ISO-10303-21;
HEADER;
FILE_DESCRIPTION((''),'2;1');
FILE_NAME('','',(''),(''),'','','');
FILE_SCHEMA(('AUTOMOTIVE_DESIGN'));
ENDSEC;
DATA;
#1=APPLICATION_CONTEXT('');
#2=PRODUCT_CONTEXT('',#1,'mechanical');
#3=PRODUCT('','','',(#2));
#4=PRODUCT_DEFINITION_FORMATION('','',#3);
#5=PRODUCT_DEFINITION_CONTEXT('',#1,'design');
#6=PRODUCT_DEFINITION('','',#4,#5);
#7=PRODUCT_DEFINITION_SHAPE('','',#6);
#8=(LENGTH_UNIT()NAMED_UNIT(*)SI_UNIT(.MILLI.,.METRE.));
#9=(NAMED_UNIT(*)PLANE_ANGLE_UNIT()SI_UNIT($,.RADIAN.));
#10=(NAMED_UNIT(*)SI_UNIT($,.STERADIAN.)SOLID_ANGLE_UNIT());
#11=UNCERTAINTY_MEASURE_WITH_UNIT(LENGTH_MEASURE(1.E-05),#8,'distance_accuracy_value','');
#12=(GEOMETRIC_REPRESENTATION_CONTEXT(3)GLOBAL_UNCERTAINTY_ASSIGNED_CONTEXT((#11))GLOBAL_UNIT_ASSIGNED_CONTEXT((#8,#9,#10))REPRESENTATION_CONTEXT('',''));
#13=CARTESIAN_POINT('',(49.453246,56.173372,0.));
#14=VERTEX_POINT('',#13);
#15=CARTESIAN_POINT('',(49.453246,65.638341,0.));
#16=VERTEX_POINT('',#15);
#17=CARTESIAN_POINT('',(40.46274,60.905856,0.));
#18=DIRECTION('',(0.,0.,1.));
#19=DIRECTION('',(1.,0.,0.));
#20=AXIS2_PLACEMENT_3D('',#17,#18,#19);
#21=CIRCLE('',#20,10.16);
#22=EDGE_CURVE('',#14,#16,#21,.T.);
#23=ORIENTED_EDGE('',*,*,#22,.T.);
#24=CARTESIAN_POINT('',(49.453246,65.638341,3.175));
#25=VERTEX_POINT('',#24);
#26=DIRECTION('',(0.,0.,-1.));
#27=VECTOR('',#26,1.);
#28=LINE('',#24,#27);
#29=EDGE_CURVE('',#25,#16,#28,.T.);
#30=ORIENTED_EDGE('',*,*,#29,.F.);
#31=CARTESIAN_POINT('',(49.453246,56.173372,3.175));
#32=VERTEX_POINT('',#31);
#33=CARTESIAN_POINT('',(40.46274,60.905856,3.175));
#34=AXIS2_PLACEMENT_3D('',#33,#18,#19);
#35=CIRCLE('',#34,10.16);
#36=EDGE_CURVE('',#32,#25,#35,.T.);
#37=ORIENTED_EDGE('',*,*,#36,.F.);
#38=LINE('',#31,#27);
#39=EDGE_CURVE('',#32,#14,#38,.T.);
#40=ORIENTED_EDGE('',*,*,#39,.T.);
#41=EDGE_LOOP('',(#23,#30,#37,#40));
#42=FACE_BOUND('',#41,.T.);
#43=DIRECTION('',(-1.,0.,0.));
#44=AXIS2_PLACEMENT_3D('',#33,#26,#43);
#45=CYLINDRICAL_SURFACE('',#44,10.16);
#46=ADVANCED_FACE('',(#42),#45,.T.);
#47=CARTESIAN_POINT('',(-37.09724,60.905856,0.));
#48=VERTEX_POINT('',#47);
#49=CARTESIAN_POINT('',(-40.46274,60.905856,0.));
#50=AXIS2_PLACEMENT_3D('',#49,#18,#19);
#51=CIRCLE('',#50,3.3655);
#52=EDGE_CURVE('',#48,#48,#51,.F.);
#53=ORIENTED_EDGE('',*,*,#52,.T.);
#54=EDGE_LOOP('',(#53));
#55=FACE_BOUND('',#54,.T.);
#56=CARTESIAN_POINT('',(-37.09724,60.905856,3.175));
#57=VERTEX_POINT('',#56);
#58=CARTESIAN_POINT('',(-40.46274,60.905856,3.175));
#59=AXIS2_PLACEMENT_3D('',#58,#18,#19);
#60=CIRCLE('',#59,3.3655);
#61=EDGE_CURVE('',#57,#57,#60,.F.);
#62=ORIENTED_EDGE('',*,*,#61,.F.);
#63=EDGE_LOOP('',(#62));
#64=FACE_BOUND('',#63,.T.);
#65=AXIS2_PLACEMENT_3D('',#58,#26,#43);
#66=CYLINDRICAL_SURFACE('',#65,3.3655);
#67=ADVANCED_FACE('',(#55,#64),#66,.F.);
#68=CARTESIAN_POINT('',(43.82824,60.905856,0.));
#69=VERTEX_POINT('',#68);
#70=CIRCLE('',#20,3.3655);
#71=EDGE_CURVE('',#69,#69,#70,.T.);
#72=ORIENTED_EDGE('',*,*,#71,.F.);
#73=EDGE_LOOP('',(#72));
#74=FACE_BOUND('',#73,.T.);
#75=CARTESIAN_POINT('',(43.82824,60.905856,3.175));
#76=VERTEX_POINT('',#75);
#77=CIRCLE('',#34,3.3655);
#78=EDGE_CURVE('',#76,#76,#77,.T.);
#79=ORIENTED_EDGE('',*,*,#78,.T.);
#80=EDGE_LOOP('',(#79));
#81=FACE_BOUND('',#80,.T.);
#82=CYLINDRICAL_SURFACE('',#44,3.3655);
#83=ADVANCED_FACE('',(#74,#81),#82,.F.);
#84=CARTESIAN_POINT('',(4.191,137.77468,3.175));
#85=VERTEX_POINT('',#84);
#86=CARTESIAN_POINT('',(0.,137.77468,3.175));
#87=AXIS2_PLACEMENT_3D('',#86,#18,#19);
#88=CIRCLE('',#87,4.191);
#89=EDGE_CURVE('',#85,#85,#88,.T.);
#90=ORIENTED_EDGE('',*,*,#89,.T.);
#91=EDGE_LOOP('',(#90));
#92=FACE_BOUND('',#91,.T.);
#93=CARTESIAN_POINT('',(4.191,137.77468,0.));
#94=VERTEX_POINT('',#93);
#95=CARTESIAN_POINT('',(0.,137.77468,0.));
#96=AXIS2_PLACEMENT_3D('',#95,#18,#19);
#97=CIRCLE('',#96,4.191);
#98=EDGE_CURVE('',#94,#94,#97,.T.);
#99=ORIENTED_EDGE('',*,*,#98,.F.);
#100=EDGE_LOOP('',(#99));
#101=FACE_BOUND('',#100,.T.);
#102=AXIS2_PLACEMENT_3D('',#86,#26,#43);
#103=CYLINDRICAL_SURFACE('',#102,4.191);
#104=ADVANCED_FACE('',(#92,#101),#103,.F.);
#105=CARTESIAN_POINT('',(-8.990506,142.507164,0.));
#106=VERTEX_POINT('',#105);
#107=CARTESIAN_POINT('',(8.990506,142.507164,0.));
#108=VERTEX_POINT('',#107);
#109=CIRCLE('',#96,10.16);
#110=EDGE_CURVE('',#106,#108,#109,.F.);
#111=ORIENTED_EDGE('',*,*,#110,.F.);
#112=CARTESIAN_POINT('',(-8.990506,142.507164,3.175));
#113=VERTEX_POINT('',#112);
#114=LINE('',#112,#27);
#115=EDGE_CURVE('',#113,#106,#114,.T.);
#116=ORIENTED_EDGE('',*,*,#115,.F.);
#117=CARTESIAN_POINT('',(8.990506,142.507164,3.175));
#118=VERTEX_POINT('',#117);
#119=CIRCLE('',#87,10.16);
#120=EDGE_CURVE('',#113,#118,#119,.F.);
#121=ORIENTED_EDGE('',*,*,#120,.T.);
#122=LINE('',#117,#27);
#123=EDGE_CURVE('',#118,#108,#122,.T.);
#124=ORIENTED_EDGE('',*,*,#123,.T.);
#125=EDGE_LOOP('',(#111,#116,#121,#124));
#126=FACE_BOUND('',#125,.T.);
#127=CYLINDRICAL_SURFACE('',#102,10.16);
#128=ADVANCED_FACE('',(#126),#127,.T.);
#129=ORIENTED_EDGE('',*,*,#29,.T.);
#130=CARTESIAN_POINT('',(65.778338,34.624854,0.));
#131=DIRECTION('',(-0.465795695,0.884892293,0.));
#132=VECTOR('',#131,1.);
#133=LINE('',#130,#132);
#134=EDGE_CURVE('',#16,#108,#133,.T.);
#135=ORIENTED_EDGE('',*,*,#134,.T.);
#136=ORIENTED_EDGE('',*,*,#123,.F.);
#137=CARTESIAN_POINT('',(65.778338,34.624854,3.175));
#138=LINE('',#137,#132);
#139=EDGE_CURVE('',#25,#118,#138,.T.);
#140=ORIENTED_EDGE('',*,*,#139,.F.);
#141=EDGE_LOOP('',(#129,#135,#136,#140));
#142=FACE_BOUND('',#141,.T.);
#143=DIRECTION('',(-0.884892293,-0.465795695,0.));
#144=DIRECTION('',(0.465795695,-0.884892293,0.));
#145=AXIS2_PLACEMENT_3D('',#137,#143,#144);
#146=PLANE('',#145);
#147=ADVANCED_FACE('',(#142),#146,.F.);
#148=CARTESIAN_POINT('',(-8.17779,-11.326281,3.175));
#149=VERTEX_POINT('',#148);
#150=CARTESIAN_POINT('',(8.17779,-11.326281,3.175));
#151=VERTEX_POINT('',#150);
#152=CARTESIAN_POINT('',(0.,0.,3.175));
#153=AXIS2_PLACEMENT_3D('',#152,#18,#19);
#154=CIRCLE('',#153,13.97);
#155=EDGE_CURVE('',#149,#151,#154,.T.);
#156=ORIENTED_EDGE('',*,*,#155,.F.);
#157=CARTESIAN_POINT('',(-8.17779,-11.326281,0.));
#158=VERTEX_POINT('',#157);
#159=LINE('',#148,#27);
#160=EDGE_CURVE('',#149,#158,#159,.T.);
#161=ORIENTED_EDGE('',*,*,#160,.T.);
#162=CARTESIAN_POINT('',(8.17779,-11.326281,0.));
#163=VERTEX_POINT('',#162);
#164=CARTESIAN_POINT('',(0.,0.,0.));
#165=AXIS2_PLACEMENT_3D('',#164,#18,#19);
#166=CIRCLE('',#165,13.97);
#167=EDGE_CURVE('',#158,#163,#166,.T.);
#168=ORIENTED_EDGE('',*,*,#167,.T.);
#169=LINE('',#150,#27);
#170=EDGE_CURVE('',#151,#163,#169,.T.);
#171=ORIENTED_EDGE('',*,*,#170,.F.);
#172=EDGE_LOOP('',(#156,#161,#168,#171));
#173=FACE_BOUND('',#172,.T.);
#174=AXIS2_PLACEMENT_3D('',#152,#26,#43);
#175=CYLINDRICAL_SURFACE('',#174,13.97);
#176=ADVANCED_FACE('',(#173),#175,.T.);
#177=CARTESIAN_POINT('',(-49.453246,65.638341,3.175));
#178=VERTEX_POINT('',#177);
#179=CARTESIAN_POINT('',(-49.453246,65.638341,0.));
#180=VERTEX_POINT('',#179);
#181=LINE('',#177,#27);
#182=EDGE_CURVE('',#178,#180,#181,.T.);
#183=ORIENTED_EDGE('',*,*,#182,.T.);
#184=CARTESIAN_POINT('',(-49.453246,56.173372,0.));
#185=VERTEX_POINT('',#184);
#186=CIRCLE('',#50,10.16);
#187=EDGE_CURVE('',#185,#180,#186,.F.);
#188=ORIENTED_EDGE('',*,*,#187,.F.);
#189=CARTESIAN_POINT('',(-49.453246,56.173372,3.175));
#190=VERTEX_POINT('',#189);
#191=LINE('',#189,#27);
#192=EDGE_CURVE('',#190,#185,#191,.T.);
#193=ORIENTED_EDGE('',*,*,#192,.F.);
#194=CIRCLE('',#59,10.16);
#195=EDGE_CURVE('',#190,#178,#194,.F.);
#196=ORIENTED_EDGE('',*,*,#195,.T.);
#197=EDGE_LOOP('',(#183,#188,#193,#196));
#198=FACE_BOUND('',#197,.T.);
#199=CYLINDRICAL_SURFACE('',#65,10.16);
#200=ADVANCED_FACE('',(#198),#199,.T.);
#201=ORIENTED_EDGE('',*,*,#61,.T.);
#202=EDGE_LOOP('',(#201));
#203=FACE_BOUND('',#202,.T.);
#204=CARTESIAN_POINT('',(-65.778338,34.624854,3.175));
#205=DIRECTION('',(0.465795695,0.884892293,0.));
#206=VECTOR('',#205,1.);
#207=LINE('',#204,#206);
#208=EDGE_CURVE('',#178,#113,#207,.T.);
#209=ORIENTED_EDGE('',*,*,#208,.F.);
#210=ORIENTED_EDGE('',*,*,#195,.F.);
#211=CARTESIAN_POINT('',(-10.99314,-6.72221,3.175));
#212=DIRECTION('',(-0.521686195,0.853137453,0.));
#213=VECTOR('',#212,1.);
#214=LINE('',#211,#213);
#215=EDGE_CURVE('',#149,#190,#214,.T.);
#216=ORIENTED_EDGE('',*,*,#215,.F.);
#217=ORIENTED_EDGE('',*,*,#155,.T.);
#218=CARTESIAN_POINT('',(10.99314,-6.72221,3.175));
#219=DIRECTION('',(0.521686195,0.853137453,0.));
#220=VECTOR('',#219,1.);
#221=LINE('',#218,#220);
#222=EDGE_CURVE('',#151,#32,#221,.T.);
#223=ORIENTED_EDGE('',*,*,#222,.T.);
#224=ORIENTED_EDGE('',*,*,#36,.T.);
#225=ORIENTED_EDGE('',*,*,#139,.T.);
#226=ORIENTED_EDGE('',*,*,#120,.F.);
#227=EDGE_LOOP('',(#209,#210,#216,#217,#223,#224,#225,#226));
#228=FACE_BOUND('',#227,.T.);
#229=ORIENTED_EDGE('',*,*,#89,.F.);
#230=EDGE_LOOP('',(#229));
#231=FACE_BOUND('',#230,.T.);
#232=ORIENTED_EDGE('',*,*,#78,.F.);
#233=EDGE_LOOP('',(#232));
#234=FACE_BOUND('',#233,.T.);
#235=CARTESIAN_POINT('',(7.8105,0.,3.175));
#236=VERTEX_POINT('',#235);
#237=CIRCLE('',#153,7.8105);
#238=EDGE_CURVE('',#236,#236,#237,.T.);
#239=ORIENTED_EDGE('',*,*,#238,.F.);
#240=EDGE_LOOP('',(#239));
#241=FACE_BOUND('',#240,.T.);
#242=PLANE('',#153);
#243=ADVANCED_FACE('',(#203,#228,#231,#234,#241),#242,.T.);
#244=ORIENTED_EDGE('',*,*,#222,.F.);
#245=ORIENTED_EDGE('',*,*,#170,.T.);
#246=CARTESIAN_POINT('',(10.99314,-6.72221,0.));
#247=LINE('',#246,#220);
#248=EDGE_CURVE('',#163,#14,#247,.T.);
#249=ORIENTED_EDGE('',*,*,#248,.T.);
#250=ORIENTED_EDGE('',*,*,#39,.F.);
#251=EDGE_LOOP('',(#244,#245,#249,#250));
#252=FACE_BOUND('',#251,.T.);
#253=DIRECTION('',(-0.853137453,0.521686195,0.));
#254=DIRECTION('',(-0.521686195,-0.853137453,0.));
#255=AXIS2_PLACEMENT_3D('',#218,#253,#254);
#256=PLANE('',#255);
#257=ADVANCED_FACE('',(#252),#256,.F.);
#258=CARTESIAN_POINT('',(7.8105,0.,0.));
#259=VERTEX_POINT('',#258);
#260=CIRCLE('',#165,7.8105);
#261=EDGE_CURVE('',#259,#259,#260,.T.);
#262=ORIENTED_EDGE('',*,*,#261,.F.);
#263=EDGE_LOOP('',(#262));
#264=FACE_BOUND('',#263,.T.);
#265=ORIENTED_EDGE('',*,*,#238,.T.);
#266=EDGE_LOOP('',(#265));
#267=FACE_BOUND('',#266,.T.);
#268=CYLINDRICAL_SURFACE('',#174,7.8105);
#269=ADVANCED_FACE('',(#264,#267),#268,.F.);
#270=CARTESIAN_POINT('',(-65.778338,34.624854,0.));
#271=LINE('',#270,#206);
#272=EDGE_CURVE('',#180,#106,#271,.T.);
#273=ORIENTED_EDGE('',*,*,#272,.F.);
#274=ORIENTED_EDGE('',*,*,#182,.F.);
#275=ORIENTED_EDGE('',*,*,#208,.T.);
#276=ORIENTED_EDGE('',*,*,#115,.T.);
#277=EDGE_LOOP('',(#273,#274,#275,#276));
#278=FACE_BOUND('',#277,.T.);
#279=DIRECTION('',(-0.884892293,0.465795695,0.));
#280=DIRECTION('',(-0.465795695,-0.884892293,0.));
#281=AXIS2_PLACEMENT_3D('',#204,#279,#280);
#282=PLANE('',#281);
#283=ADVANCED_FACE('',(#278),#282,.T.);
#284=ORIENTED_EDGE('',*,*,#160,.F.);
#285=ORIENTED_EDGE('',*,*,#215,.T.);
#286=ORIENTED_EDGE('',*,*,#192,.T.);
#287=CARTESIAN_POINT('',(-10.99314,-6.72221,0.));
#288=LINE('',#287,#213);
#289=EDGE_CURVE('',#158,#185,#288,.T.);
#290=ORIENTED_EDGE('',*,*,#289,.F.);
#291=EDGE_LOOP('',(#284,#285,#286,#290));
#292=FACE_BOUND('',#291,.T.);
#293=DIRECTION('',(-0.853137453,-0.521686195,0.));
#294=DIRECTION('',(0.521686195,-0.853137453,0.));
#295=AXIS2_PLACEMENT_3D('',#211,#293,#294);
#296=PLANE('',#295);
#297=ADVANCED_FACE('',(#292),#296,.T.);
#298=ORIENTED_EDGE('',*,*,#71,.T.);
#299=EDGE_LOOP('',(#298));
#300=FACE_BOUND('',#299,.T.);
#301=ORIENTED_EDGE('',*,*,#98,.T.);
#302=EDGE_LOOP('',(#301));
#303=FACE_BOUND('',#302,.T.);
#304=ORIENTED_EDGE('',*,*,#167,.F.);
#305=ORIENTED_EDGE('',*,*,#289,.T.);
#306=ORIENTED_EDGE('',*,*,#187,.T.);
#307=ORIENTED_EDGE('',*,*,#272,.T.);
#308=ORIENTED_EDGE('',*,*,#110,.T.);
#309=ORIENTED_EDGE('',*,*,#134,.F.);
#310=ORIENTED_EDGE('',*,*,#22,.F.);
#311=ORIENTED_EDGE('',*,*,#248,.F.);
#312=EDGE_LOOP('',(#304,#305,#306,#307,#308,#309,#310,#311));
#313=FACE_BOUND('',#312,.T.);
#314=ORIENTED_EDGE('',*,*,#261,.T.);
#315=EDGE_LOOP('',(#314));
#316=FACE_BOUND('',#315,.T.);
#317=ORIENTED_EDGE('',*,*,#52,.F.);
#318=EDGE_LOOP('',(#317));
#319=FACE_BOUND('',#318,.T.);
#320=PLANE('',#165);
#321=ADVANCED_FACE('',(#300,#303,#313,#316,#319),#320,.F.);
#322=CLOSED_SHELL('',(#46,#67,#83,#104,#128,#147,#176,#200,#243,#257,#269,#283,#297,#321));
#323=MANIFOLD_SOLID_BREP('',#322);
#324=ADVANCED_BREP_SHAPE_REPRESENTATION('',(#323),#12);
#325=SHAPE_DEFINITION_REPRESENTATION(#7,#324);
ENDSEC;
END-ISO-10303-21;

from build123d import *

# Parameters (mm, degrees)
SKETCH4_R           = 3.3655
SKETCH4_R_2         = 7.8105
SKETCH4_R_3         = 4.191
BOSS_EXTRUDE4_DEPTH = 3.175


with BuildPart() as part:
    # Sketch4 → Boss-Extrude4 (new body)
    # profile 1 of 3: a face of its own
    with BuildSketch(Plane.XY):
        with BuildLine():
            ThreePointArc((-10.16, 137.77468), (-9.863294022, 140.212103033), (-8.990505701, 142.507164257))
            Line((-8.990505701, 142.507164257), (-49.453246099, 65.638340515))
            ThreePointArc((-49.453246099, 65.638340515), (-50.622740399, 60.905856258), (-49.453246099, 56.173372001))
            Line((-49.453246099, 56.173372001), (-13.808489628, -2.118139324))
            ThreePointArc((-13.808489628, -2.118139324), (-13.929563886, -1.062144034), (-13.97, 0))
            Line((-13.97, 0), (-10.16, 137.77468))
        make_face()
        with Locations((-40.462740399, 60.905856258)):
            Circle(SKETCH4_R, mode=Mode.SUBTRACT)
    # profile 2 of 3: a face of its own
    with BuildSketch(Plane.XY):
        with BuildLine():
            ThreePointArc((49.453246099, 56.173372001), (50.622740399, 60.905856258), (49.453246099, 65.638340515))
            Line((49.453246099, 65.638340515), (8.990505701, 142.507164257))
            ThreePointArc((8.990505701, 142.507164257), (9.863294022, 140.212103033), (10.16, 137.77468))
            Line((10.16, 137.77468), (13.97, 0))
            ThreePointArc((13.97, 0), (13.929563886, -1.062144034), (13.808489628, -2.118139324))
            Line((13.808489628, -2.118139324), (49.453246099, 56.173372001))
        make_face()
        with Locations((40.462740399, 60.905856258)):
            Circle(SKETCH4_R, mode=Mode.SUBTRACT)
    # profile 3 of 3: a face of its own
    with BuildSketch(Plane.XY):
        with BuildLine():
            ThreePointArc((10.16, 137.77468), (9.863294022, 140.212103033), (8.990505701, 142.507164257))
            ThreePointArc((8.990505701, 142.507164257), (0, 147.93468), (-8.990505701, 142.507164257))
            ThreePointArc((-8.990505701, 142.507164257), (-9.863294022, 140.212103033), (-10.16, 137.77468))
            Line((-10.16, 137.77468), (-13.97, 0))
            ThreePointArc((-13.97, 0), (-13.929563886, -1.062144034), (-13.808489628, -2.118139324))
            Line((-13.808489628, -2.118139324), (-8.177790267, -11.326281223))
            ThreePointArc((-8.177790267, -11.326281223), (0, -13.97), (8.177790267, -11.326281223))
            Line((8.177790267, -11.326281223), (13.808489628, -2.118139324))
            ThreePointArc((13.808489628, -2.118139324), (13.929563886, -1.062144034), (13.97, 0))
            Line((13.97, 0), (10.16, 137.77468))
        make_face()
        Circle(SKETCH4_R_2, mode=Mode.SUBTRACT)
        with Locations((0, 137.77468)):
            Circle(SKETCH4_R_3, mode=Mode.SUBTRACT)
    extrude(amount=BOSS_EXTRUDE4_DEPTH)


solid = part.part
